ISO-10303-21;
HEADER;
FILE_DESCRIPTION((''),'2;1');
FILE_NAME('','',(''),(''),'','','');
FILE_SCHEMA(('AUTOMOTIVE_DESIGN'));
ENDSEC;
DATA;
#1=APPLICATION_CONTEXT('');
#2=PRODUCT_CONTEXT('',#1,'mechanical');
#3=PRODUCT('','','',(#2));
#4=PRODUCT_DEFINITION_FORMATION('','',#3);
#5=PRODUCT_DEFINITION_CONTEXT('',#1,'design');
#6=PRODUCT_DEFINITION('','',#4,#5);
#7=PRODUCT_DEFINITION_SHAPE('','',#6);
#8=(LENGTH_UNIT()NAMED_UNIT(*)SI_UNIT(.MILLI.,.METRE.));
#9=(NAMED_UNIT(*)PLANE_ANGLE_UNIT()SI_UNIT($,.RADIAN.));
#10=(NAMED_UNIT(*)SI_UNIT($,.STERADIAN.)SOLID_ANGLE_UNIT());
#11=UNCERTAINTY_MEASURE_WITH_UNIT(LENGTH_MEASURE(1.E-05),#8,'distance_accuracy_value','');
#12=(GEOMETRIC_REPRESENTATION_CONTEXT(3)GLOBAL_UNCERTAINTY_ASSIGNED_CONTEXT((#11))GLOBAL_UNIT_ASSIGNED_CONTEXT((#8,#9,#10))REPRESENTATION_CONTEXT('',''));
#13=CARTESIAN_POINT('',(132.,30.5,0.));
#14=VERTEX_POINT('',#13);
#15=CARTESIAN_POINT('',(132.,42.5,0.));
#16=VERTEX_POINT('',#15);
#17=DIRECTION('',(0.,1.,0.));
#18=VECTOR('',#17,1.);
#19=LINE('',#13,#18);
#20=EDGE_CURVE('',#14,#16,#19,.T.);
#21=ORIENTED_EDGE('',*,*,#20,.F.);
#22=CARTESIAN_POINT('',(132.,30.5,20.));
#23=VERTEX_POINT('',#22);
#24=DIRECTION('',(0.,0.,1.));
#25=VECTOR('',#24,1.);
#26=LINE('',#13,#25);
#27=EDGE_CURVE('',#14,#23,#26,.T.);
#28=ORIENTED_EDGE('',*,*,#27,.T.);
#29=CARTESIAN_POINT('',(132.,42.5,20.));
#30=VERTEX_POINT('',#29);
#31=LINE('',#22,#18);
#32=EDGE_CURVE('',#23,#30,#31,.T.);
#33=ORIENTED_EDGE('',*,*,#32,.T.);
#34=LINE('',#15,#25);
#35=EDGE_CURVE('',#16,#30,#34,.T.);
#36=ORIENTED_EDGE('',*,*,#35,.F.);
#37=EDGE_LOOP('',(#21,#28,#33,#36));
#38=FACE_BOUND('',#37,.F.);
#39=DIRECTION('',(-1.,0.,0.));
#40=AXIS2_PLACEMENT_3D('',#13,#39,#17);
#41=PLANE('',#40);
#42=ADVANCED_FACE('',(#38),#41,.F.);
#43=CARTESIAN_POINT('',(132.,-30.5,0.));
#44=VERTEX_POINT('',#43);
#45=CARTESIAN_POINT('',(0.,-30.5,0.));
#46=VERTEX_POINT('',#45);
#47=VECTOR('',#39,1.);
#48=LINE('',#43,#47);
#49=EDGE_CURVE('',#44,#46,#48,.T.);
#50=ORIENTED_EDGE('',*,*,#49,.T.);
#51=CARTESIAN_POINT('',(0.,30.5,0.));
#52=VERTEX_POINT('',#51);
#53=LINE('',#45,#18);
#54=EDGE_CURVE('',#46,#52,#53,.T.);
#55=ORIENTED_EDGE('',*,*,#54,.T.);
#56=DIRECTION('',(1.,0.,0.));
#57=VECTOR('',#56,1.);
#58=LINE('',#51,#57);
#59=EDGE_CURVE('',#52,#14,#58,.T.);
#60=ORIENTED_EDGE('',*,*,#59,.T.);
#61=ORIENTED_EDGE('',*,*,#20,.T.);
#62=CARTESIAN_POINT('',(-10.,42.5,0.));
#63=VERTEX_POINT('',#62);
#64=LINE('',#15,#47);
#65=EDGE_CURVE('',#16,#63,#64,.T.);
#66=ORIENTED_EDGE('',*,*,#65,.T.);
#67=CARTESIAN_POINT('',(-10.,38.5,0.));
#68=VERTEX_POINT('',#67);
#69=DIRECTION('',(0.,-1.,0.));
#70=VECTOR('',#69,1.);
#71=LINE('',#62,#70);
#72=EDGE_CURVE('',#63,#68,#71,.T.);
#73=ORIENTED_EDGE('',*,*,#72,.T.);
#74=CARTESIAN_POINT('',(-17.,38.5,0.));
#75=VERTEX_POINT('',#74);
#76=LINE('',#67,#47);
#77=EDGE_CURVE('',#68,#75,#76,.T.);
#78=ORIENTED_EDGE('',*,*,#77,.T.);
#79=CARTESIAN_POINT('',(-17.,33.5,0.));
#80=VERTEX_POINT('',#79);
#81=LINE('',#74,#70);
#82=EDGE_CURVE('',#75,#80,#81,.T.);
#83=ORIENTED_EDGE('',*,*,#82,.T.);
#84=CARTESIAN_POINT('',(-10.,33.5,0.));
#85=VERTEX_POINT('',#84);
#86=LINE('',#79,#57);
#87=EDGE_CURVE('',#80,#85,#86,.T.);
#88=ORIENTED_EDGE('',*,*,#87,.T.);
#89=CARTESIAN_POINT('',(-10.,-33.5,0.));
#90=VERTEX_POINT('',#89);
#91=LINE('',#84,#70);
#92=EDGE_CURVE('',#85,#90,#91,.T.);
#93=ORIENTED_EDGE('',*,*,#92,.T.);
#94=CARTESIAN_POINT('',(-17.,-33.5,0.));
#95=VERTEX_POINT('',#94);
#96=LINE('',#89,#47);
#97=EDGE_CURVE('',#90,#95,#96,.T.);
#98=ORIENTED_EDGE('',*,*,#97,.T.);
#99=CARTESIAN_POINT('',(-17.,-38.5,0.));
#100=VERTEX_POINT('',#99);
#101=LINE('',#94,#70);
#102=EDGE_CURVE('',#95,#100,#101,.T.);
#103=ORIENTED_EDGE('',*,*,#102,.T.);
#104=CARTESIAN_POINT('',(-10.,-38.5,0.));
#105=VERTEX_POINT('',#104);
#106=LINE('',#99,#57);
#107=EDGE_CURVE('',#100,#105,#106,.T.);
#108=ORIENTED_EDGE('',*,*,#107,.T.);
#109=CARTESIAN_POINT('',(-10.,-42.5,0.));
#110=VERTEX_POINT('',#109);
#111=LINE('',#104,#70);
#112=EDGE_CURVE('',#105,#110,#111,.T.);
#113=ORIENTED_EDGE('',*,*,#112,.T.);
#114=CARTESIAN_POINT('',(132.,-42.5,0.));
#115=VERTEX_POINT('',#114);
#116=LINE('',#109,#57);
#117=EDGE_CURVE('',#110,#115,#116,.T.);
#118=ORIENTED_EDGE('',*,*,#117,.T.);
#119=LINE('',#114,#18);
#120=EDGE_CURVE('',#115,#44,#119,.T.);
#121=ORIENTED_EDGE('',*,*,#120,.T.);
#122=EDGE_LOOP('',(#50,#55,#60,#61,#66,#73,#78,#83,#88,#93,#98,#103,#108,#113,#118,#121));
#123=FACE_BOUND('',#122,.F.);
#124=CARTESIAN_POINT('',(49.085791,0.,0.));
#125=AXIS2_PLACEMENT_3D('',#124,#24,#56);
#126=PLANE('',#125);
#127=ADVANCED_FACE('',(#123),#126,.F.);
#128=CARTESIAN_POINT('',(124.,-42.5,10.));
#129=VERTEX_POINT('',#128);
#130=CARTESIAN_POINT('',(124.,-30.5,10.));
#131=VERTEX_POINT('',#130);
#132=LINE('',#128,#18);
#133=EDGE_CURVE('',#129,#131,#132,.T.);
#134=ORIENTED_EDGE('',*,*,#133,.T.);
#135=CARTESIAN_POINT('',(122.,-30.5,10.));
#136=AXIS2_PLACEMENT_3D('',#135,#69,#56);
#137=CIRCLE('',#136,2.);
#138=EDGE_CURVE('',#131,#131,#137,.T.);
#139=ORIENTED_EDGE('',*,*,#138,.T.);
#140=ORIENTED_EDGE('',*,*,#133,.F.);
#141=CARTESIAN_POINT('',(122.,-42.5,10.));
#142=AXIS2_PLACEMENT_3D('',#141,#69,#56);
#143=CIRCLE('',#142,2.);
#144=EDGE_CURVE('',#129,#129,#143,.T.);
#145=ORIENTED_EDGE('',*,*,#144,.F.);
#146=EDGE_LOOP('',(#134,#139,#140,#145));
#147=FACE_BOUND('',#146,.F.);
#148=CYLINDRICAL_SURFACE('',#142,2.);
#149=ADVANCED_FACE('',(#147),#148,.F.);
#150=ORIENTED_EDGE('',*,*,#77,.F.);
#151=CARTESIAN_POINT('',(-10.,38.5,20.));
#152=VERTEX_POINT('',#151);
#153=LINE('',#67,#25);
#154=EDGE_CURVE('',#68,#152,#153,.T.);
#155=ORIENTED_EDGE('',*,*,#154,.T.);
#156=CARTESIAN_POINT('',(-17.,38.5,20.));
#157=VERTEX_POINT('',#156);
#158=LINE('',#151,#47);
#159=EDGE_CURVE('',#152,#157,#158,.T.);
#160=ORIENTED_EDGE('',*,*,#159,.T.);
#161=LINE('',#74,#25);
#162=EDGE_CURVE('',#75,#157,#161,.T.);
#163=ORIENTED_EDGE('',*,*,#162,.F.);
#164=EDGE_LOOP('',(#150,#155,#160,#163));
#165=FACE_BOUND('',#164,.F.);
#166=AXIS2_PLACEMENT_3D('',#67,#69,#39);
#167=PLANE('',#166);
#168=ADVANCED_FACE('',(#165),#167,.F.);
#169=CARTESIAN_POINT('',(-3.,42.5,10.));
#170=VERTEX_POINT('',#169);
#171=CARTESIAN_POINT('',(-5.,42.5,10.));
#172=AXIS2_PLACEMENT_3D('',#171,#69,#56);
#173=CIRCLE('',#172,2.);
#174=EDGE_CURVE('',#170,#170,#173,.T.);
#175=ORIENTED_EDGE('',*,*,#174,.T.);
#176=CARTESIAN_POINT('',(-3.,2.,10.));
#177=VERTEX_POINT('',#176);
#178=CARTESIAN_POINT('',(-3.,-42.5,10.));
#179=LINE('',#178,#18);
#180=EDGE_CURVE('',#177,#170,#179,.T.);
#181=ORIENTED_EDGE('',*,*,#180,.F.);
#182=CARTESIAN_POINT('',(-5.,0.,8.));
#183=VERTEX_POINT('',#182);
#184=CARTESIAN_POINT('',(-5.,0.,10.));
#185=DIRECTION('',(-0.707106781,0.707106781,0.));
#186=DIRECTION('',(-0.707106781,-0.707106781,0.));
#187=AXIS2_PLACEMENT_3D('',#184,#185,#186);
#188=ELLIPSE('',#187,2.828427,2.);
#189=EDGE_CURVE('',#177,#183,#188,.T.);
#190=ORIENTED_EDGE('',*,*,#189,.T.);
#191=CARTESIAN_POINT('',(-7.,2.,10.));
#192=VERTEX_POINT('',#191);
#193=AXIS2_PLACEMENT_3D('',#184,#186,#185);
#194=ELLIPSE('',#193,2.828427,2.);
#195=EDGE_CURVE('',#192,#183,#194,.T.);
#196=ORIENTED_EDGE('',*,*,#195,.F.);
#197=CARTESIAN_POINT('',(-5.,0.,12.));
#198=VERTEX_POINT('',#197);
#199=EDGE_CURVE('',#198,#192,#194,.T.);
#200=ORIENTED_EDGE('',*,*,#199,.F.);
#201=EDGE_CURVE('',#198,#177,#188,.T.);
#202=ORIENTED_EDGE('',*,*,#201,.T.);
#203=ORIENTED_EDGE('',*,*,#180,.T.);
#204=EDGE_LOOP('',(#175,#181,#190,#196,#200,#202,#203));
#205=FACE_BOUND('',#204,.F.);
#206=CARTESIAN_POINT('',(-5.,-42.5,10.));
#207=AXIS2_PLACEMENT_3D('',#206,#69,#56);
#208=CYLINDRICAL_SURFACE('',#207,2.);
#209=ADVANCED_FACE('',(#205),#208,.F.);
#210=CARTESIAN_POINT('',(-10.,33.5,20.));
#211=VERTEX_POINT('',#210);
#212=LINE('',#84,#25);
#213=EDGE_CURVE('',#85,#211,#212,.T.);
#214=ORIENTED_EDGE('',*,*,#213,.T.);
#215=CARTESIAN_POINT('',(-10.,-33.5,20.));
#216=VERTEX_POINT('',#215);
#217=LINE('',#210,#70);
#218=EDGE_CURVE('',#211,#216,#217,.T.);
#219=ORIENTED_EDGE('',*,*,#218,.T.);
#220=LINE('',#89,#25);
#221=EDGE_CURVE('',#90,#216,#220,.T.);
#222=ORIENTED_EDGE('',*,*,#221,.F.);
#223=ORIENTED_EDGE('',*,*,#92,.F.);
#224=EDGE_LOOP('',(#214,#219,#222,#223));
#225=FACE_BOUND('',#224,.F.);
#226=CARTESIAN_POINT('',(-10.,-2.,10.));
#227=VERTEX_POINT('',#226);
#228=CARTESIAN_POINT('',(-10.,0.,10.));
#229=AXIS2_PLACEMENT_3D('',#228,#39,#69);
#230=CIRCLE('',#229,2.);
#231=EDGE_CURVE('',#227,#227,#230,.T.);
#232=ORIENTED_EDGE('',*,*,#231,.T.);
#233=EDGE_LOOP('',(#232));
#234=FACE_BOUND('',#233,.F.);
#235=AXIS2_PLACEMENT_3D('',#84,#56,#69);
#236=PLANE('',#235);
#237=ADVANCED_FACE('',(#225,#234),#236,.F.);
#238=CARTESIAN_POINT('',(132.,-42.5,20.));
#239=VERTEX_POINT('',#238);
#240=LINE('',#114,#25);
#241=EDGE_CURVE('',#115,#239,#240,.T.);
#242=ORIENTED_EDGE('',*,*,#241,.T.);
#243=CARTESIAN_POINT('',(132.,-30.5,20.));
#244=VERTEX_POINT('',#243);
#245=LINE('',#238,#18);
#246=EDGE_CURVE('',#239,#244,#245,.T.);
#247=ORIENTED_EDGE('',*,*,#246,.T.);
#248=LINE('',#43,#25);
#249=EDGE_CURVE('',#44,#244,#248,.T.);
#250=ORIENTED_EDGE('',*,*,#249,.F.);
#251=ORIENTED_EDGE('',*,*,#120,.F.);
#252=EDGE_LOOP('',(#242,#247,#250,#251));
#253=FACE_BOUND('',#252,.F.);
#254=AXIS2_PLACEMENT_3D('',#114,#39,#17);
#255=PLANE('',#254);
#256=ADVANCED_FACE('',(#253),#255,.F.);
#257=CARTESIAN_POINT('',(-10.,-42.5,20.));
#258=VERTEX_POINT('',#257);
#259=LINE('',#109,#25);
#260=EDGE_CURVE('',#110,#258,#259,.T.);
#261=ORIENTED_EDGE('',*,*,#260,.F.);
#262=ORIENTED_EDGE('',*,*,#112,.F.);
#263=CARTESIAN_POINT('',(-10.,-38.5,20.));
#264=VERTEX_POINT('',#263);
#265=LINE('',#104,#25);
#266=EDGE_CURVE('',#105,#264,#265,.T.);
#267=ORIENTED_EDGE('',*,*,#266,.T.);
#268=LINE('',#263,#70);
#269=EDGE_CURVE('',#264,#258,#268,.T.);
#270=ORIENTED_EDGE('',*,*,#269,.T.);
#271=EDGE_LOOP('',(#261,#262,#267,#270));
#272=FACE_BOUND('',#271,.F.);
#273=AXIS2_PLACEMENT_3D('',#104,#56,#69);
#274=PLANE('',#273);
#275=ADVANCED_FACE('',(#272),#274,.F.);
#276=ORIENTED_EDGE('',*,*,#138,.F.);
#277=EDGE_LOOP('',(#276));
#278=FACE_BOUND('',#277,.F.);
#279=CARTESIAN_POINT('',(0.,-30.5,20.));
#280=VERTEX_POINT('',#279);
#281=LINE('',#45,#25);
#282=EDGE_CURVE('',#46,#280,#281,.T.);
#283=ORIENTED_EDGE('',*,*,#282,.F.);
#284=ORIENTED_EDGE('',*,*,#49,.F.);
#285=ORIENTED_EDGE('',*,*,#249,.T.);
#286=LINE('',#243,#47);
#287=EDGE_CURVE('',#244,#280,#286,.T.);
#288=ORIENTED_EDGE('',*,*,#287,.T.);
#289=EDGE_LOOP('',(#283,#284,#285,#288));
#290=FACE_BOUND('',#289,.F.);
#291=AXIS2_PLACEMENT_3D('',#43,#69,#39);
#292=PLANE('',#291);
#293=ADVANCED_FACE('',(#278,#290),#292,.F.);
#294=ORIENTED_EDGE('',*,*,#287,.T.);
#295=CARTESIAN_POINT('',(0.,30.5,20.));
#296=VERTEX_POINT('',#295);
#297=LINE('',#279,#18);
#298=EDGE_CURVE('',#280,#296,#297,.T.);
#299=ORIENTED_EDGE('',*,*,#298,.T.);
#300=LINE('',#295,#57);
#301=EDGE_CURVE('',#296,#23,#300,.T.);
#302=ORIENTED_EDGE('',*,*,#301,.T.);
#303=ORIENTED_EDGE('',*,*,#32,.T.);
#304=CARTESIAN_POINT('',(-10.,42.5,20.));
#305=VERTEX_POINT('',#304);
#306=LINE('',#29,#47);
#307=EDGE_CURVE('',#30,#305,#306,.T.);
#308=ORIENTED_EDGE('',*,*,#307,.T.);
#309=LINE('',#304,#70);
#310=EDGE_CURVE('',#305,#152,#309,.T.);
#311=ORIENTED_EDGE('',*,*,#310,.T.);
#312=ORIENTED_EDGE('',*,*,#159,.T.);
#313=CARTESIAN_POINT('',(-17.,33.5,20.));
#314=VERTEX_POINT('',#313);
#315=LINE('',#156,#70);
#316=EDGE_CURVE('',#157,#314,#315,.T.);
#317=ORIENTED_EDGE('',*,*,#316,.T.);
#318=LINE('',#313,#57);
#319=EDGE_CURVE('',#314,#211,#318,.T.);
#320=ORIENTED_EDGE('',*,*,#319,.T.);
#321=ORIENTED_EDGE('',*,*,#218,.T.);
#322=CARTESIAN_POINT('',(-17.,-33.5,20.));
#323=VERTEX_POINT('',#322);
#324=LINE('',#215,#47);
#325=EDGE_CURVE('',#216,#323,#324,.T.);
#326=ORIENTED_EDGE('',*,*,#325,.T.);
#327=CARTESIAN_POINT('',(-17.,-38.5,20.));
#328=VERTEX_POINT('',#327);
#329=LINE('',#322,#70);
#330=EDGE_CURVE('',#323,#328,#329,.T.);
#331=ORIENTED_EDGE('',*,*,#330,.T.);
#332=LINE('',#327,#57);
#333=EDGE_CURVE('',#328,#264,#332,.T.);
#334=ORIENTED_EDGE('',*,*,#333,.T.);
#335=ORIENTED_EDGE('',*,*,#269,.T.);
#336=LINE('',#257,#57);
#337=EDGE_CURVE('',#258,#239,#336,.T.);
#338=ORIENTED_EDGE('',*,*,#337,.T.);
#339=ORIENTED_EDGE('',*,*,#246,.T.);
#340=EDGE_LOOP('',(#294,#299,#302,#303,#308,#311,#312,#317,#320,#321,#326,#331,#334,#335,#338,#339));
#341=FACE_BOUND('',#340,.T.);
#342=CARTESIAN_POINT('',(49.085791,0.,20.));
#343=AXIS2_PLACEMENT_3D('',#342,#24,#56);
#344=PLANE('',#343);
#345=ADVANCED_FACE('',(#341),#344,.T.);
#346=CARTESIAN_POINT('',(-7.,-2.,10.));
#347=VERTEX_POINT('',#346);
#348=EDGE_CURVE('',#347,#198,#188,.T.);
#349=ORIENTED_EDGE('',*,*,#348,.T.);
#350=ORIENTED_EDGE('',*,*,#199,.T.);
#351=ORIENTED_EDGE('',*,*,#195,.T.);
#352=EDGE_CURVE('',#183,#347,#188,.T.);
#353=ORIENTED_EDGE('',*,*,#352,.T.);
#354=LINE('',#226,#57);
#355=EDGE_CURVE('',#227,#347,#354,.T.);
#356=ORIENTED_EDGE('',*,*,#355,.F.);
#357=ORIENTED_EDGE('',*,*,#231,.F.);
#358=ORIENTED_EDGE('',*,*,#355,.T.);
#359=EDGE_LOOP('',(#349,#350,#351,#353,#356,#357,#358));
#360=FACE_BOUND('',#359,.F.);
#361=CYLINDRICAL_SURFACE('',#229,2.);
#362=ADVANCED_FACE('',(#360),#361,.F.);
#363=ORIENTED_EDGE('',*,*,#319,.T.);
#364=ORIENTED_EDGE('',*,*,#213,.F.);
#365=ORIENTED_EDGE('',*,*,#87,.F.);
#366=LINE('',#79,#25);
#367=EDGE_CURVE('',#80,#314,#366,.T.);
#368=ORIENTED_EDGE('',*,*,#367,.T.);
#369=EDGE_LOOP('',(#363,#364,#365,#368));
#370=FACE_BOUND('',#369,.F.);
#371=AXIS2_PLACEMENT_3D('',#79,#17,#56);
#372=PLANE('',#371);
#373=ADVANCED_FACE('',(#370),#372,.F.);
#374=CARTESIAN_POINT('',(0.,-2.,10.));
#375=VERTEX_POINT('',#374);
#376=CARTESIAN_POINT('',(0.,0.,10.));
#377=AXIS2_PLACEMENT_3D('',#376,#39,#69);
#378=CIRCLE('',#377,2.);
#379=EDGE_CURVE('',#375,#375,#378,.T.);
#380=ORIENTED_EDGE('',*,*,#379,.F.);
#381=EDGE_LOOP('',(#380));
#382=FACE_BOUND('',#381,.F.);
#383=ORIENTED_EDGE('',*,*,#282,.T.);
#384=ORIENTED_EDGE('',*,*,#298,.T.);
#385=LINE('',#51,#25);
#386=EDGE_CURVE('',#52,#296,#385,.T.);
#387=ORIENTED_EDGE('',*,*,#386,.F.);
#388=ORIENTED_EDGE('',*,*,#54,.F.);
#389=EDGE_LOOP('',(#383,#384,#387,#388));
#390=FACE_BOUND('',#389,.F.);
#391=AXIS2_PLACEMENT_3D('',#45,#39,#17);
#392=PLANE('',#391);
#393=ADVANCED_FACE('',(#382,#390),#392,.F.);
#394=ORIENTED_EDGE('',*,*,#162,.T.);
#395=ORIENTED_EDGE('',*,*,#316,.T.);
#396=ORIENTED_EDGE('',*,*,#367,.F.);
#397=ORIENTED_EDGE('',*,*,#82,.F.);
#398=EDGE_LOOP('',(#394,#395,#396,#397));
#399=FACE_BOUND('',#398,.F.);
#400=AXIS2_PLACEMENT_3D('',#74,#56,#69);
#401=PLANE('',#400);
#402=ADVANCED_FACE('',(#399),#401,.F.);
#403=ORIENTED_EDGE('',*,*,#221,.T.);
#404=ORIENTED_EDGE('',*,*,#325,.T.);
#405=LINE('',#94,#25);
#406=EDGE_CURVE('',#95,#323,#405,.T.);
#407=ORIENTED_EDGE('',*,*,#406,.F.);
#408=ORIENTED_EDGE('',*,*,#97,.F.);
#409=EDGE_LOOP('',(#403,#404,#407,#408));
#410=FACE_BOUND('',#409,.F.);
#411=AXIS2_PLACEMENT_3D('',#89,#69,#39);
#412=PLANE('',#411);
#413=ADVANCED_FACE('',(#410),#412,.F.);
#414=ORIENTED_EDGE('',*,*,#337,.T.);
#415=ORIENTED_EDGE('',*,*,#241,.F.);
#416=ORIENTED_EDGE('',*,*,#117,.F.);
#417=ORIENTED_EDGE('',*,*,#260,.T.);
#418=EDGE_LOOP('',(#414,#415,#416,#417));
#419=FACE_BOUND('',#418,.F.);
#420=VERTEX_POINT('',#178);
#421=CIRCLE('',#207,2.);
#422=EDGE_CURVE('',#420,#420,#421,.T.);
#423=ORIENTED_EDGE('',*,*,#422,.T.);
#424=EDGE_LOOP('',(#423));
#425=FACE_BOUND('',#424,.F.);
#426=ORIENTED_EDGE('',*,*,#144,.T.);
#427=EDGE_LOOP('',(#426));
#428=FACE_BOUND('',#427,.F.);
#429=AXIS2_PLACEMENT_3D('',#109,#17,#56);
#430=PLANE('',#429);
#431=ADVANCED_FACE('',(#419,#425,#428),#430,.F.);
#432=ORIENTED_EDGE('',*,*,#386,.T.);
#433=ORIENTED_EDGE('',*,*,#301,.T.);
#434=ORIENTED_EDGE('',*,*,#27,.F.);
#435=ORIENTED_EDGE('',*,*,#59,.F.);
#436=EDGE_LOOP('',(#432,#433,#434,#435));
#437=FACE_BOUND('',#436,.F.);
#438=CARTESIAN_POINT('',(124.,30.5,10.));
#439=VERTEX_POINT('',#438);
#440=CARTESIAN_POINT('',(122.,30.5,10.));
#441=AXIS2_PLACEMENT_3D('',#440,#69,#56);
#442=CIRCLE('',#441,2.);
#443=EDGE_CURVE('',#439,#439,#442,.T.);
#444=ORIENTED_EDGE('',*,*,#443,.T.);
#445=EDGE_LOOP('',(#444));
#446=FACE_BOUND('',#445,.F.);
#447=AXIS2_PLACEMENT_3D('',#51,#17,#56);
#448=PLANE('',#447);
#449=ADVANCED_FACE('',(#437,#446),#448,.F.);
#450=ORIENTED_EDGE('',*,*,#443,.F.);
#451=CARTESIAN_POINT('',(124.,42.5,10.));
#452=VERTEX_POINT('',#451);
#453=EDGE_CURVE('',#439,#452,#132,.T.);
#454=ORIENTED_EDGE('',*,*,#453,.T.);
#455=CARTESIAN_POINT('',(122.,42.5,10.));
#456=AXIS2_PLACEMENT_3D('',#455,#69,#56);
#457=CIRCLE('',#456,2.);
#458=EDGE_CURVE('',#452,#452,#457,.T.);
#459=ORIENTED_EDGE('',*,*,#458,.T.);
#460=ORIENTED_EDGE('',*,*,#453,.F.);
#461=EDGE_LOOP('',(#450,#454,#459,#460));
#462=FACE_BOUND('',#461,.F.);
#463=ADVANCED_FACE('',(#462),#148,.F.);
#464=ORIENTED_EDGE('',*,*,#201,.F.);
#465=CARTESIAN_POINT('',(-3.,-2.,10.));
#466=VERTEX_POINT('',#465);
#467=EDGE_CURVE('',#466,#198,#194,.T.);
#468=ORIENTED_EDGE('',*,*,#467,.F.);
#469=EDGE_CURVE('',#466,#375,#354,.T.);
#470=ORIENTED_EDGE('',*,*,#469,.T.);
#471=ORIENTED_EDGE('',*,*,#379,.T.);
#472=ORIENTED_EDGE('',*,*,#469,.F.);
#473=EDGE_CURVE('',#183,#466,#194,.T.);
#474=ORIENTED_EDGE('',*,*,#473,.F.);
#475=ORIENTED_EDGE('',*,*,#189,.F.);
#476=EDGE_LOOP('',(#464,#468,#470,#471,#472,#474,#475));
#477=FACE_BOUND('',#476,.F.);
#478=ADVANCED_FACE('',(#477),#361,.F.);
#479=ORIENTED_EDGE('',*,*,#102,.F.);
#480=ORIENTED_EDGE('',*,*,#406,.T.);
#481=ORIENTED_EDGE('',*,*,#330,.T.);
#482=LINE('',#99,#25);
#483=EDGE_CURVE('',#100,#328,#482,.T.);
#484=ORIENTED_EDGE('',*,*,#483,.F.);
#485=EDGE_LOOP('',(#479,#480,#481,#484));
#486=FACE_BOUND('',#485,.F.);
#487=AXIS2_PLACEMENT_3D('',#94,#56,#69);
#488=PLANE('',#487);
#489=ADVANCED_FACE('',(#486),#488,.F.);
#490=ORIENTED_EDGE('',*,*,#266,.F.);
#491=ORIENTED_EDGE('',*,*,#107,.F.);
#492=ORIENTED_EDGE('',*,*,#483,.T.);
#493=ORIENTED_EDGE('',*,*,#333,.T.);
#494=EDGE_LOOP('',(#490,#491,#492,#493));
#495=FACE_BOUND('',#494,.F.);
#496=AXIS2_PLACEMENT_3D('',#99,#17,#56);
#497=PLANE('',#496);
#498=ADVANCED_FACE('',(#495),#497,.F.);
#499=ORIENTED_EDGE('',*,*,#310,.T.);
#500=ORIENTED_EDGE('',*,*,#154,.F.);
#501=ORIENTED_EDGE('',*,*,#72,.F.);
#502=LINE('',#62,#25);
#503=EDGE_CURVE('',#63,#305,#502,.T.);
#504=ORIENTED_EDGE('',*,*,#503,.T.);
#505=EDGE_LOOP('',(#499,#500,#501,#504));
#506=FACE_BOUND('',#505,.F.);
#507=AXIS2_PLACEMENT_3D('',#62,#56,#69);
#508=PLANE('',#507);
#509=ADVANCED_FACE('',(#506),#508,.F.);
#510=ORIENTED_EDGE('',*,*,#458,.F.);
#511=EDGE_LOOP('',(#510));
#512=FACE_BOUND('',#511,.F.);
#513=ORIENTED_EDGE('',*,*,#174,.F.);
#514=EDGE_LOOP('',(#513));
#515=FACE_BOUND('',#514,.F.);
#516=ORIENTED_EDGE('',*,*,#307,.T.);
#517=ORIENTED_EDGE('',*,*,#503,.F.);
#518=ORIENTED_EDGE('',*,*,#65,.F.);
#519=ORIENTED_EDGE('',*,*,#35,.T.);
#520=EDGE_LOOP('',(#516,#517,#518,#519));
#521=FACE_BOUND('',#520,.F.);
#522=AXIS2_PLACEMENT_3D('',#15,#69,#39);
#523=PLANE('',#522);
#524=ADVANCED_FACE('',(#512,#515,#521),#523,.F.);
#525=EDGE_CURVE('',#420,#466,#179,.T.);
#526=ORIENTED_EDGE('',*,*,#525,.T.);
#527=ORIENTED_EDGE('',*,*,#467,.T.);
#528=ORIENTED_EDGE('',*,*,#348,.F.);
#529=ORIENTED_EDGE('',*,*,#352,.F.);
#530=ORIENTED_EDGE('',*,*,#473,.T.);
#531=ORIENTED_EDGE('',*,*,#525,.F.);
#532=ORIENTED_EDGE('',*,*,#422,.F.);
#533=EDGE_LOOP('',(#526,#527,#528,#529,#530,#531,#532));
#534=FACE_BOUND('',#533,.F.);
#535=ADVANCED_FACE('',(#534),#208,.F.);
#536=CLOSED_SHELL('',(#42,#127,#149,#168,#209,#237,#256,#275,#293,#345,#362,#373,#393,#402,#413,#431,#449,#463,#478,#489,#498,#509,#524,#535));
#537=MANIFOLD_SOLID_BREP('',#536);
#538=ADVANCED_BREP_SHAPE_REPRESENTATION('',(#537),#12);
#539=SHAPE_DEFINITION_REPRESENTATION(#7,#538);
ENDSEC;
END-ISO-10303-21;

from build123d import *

# Parameters (mm, degrees)
PAD_DEPTH       = 20
SKETCH004_R     = 2
POCKET002_DEPTH = 142.001
SKETCH005_R     = 2
POCKET003_DEPTH = 85.001


with BuildPart() as part:
    # Sketch → Pad (new body)
    with BuildSketch(Plane.XY):
        Polygon((-10, -42.5), (132, -42.5), (132, -30.5), (0, -30.5), (0, 30.5), (132, 30.5), (132, 42.5), (-10, 42.5), (-10, 38.5), (-17, 38.5), (-17, 33.5), (-10, 33.5), (-10, -33.5), (-17, -33.5), (-17, -38.5), (-10, -38.5), align=None)
    extrude(amount=PAD_DEPTH)

    # Sketch004 → Pocket002 (cut, through all)
    with BuildSketch(Plane(origin=(-10, 0, 0), x_dir=(0, -1, 0), z_dir=(-1, 0, 0))):
        with Locations((0, 10)):
            Circle(SKETCH004_R)
    extrude(amount=-POCKET002_DEPTH, mode=Mode.SUBTRACT)

    # Sketch005 → Pocket003 (cut, through all)
    with BuildSketch(Plane.XZ.offset(42.5)):
        with Locations((-5, 10)):
            Circle(SKETCH005_R)
        with Locations((122, 10)):
            Circle(SKETCH005_R)
    extrude(amount=-POCKET003_DEPTH, mode=Mode.SUBTRACT)


solid = part.part
